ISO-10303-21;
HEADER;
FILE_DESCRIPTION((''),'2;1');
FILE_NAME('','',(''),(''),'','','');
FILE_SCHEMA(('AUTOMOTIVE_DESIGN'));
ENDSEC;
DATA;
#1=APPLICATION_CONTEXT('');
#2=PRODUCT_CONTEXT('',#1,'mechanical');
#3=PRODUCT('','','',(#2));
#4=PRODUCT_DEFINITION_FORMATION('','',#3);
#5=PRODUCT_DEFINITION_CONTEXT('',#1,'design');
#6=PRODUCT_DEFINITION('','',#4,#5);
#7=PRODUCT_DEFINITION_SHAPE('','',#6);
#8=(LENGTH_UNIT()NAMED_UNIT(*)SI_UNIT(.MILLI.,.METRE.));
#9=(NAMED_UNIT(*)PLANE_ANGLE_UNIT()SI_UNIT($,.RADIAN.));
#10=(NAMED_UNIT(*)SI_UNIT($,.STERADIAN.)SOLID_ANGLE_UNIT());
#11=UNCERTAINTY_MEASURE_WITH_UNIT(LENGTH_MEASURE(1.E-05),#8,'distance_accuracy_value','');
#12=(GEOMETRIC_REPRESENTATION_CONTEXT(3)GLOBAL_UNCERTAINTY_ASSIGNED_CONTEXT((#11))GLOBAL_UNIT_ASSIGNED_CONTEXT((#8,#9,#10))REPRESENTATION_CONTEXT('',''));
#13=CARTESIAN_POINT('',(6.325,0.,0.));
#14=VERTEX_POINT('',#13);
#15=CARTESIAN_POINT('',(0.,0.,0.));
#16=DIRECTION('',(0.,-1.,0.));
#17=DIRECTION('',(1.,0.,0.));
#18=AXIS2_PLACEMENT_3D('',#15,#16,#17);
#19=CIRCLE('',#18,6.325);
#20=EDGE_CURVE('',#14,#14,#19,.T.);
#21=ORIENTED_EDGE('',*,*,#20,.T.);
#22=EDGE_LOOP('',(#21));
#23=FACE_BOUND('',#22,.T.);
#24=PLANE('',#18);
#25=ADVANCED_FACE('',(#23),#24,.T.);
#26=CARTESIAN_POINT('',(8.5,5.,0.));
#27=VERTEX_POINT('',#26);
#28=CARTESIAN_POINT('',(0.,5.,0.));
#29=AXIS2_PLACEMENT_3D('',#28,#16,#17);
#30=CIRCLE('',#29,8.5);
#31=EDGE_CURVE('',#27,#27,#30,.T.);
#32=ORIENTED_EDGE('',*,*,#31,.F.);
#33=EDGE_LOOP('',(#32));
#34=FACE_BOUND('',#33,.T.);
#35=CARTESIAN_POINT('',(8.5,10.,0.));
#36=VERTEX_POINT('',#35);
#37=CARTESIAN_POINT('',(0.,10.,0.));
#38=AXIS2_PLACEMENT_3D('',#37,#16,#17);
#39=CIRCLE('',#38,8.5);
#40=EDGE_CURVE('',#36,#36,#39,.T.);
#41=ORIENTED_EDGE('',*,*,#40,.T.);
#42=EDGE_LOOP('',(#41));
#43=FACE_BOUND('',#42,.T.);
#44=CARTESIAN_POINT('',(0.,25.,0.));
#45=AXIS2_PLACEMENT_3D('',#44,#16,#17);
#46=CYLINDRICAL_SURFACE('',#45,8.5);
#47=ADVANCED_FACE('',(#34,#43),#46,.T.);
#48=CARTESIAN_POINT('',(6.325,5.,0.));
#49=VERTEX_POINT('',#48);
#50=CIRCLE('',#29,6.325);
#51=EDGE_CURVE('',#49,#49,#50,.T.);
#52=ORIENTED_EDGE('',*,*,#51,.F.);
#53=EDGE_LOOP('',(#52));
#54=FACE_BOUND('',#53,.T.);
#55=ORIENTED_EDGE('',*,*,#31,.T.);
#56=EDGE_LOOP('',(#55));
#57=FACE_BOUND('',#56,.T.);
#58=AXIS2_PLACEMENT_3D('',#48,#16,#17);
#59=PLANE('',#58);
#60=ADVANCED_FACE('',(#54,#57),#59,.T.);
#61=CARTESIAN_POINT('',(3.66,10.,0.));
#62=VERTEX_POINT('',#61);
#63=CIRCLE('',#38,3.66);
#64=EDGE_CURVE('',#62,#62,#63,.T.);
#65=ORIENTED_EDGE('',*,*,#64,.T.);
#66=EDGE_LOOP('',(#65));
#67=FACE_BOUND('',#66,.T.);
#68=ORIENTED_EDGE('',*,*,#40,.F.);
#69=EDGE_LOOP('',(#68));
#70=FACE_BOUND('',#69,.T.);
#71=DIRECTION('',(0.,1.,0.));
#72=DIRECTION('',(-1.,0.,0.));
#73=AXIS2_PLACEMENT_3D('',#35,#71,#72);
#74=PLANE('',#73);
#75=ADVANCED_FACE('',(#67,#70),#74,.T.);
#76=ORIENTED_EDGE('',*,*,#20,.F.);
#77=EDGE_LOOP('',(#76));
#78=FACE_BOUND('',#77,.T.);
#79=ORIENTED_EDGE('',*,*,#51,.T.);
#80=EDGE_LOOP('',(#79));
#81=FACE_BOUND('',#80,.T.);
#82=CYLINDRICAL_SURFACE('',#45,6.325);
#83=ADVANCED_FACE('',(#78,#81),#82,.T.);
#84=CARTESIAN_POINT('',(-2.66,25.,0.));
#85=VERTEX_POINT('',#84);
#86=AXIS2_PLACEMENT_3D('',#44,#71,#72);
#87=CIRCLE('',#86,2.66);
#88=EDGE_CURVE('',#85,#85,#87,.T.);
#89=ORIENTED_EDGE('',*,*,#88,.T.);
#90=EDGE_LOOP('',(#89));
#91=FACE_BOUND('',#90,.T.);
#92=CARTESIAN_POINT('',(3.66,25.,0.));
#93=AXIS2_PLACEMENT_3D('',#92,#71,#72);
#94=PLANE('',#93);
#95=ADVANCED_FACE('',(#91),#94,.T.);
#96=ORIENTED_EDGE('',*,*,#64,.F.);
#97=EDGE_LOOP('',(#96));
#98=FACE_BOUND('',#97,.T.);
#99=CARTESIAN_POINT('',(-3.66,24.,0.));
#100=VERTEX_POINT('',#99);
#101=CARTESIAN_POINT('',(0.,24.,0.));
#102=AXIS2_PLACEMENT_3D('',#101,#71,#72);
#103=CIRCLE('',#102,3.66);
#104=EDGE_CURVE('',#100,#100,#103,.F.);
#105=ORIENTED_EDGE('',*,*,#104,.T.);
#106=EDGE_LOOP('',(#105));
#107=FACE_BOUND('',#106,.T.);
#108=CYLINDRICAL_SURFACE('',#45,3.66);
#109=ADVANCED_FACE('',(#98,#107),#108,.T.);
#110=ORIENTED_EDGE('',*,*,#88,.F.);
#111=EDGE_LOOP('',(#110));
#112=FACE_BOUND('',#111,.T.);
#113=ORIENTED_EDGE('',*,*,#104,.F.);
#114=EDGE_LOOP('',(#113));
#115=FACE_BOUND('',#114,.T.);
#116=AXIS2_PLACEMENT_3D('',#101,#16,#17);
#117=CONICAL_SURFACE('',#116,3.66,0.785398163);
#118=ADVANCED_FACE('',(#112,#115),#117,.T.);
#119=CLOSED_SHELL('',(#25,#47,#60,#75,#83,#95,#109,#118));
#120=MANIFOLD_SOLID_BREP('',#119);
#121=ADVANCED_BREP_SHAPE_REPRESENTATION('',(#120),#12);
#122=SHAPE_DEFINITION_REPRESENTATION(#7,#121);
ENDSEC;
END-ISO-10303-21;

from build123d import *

# Parameters (mm, degrees)
CHAMFER_1_SIZE = 1


with BuildPart() as part:
    # 草图1 → 旋转1 (revolve)
    with BuildSketch(Plane.XY):
        Polygon((0, 0), (6.325, 0), (6.325, 5), (8.5, 5), (8.5, 10), (3.66, 10), (3.66, 25), (0, 25), align=None)
    revolve(axis=Axis((0, 25, 0), (0, 1, 0)))

    # 倒角1
    chamfer_1_edges = [part.edges().sort_by_distance(p)[0] for p in [
        (-3.66, 25, 0),
    ]]
    chamfer(chamfer_1_edges, length=CHAMFER_1_SIZE)


solid = part.part
